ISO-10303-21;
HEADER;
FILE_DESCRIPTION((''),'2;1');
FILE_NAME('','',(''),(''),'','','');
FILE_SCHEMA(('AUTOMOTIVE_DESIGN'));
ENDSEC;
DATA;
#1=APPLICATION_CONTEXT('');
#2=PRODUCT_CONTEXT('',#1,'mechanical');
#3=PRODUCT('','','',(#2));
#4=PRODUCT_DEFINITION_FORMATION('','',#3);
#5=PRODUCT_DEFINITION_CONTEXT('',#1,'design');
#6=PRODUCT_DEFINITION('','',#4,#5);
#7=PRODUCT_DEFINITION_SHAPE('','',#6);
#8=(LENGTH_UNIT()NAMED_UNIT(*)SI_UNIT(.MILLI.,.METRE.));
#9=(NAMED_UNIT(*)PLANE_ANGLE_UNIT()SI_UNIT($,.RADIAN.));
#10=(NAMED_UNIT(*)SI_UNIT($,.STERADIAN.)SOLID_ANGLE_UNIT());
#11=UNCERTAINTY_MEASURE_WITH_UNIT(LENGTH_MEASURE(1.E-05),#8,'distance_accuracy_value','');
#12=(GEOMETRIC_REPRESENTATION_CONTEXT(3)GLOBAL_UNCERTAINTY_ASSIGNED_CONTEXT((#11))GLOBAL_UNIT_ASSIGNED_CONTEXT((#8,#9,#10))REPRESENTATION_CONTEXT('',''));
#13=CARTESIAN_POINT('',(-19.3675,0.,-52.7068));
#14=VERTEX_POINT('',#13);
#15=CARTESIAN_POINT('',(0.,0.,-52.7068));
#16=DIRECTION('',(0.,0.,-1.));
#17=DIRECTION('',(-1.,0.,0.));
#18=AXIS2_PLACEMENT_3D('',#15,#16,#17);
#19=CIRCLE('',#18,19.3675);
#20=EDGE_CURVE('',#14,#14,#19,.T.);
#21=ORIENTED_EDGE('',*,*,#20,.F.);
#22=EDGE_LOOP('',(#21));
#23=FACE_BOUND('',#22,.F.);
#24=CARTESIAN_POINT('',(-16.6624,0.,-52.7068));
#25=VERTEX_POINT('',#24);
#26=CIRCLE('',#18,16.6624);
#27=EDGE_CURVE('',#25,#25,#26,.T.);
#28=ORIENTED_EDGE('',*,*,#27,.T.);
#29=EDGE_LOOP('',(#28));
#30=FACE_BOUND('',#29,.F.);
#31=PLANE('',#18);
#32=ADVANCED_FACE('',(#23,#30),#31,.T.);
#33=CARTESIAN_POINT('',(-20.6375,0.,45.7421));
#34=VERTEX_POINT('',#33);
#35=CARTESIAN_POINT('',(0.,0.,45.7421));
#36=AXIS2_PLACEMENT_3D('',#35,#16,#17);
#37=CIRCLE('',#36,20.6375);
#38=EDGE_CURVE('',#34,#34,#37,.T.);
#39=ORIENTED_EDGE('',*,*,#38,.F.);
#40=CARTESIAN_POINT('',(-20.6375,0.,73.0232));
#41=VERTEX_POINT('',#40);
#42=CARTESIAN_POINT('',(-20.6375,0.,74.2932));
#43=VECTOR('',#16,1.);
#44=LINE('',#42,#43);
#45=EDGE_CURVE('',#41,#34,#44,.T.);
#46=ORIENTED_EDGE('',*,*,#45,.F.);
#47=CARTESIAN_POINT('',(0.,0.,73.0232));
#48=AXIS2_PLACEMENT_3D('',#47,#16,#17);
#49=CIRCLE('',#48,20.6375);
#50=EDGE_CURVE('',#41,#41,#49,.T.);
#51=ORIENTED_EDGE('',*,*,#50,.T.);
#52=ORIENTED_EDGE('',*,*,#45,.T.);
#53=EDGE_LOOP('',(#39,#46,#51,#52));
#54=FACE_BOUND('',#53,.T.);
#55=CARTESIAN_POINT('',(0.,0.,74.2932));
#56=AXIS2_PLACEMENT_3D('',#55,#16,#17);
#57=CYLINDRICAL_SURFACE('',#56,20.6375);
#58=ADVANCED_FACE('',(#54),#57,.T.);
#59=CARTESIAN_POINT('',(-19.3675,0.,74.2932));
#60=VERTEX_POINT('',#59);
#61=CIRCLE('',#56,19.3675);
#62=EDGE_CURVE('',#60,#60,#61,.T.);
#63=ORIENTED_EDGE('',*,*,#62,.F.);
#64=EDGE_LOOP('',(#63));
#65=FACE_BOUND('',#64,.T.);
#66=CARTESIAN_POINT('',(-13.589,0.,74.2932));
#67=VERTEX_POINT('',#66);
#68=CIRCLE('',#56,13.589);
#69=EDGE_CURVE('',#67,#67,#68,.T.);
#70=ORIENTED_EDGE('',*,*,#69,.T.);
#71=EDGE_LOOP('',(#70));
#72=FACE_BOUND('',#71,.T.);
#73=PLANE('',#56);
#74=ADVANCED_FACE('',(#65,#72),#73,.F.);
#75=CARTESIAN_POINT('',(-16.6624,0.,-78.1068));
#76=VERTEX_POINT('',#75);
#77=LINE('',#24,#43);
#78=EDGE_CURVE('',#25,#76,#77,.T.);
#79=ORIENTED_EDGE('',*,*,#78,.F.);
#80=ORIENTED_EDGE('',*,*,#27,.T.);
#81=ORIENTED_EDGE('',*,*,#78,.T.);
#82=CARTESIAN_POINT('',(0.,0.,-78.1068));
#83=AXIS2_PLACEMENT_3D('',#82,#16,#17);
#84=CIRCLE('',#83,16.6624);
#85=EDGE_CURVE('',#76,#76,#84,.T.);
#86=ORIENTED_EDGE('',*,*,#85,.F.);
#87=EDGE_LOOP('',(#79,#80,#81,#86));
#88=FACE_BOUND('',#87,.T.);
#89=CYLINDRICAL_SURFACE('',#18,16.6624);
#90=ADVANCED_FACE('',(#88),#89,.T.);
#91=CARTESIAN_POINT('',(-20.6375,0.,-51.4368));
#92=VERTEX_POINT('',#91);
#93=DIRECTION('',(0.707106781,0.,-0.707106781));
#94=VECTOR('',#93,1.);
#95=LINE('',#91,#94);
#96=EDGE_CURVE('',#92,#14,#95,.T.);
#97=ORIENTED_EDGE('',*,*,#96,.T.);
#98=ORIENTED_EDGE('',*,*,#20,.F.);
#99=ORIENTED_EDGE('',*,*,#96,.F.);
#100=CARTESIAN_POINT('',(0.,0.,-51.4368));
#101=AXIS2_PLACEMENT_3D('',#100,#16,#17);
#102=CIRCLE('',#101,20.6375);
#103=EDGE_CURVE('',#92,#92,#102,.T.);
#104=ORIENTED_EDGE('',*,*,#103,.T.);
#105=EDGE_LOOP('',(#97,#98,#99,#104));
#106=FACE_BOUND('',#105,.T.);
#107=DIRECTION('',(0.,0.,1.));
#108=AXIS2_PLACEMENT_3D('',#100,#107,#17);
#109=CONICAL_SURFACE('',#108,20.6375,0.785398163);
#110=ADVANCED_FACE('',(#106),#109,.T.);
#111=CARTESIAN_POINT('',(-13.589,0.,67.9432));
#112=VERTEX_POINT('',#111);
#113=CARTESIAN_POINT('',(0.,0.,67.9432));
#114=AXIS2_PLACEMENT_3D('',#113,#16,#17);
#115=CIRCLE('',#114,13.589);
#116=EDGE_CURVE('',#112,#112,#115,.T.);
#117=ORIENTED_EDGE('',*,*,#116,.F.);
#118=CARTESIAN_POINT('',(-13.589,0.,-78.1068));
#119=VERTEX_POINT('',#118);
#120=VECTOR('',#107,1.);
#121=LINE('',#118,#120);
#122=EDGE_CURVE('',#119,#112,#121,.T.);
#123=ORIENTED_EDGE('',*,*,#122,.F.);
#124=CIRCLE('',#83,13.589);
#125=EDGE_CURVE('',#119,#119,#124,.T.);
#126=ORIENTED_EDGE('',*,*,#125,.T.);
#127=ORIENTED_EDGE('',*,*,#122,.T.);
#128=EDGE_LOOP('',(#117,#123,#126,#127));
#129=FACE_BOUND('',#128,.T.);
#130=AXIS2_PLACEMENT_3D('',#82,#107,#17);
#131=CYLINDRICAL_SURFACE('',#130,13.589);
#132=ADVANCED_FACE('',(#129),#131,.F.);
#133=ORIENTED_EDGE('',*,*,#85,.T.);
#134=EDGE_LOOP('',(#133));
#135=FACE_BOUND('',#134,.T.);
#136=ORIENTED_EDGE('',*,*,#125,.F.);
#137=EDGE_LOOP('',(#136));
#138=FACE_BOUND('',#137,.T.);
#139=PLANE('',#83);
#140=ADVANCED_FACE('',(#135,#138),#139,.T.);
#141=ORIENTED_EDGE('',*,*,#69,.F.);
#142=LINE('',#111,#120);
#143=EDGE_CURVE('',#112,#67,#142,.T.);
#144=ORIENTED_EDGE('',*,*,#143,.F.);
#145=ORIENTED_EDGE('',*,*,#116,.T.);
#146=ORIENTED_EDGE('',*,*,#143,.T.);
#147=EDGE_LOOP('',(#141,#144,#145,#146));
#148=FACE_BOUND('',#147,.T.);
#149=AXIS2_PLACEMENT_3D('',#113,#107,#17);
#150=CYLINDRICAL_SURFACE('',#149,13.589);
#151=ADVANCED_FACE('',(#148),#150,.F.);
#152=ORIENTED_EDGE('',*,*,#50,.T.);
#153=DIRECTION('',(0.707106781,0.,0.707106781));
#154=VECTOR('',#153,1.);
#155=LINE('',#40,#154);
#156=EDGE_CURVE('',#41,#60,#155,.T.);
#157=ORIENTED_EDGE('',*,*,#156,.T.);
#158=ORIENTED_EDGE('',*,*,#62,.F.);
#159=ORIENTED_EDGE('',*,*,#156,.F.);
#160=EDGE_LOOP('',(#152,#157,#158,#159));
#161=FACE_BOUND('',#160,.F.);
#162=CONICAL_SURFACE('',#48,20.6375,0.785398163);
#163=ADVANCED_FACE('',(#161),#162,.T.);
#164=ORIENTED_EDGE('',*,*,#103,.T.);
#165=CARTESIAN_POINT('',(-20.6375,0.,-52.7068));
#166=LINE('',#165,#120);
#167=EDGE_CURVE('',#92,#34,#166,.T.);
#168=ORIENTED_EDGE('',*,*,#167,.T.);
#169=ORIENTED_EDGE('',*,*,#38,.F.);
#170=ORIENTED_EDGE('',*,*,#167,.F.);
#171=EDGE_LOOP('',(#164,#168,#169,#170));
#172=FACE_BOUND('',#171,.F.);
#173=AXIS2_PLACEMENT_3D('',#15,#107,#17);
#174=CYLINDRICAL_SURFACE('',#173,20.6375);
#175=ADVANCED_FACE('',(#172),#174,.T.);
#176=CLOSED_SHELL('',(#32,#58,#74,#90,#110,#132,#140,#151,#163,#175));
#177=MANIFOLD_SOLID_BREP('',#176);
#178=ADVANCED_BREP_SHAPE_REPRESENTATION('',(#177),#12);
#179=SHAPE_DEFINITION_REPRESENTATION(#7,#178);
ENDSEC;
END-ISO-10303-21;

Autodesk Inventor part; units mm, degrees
ref_plane "YZ Plane" through (0, 0, 0) normal (1, 0, 0) x (0, 1, 0)
ref_plane "XZ Plane" through (0, 0, 0) normal (0, 1, 0) x (-1, 0, 0)
ref_plane "XY Plane" through (0, 0, 0) normal (0, 0, 1) x (1, 0, 0)
sketch "Sketch1" plane through (0, 0, 0) normal (0, 1, 0) x (-1, 0, 0)
  line L0 (0, 74.2932) -> (20.6375, 74.2932)
  line L1 (20.6375, 74.2932) -> (20.6375, 45.7421)
  line L2 (13.589, 67.9432) -> (0, 67.9432)
  line L3 (16.6624, -52.7068) -> (20.6375, -52.7068)
  line L4 (20.6375, -52.7068) -> (20.6375, 45.7421)
  line L5 (16.6624, -52.7068) -> (16.6624, -78.1068)
  line L6 (16.6624, -78.1068) -> (13.589, -78.1068)
  line L7 (13.589, -78.1068) -> (13.589, 67.9432)
  line L8 (0, 68.4776) -> (0, -51.9613) construction
  line L9 (13.589, 67.9432) -> (13.589, 74.2932)
  point P0 (0, 0)
  dimension "d0" = 20.6375
  dimension "d1" = 127
  dimension "d2" = 6.35
  dimension "d3" = 16.6624
  dimension "d4" = 13.589
  dimension "d12" = 25.4
  dimension "d19" = 3.0734
revolve "Revolution1" add sketch "Sketch1" angle 360 about axis through (0, 0, 68.4776) along (0, 0, -1)
thread "Thread1" size "1 5/16-18 UNEF" class "2A" standard "ANSI Unified Screw Threads" length 19.05
chamfer "Chamfer2" distance 1.27 angle 45 1 edges at (20.6375, 0, -52.7068)
chamfer "Chamfer3" distance 1.27 angle 45 1 edges at (20.6375, 0, 74.2932)
properties part number "EndHilt" material "Aluminum 6061"
